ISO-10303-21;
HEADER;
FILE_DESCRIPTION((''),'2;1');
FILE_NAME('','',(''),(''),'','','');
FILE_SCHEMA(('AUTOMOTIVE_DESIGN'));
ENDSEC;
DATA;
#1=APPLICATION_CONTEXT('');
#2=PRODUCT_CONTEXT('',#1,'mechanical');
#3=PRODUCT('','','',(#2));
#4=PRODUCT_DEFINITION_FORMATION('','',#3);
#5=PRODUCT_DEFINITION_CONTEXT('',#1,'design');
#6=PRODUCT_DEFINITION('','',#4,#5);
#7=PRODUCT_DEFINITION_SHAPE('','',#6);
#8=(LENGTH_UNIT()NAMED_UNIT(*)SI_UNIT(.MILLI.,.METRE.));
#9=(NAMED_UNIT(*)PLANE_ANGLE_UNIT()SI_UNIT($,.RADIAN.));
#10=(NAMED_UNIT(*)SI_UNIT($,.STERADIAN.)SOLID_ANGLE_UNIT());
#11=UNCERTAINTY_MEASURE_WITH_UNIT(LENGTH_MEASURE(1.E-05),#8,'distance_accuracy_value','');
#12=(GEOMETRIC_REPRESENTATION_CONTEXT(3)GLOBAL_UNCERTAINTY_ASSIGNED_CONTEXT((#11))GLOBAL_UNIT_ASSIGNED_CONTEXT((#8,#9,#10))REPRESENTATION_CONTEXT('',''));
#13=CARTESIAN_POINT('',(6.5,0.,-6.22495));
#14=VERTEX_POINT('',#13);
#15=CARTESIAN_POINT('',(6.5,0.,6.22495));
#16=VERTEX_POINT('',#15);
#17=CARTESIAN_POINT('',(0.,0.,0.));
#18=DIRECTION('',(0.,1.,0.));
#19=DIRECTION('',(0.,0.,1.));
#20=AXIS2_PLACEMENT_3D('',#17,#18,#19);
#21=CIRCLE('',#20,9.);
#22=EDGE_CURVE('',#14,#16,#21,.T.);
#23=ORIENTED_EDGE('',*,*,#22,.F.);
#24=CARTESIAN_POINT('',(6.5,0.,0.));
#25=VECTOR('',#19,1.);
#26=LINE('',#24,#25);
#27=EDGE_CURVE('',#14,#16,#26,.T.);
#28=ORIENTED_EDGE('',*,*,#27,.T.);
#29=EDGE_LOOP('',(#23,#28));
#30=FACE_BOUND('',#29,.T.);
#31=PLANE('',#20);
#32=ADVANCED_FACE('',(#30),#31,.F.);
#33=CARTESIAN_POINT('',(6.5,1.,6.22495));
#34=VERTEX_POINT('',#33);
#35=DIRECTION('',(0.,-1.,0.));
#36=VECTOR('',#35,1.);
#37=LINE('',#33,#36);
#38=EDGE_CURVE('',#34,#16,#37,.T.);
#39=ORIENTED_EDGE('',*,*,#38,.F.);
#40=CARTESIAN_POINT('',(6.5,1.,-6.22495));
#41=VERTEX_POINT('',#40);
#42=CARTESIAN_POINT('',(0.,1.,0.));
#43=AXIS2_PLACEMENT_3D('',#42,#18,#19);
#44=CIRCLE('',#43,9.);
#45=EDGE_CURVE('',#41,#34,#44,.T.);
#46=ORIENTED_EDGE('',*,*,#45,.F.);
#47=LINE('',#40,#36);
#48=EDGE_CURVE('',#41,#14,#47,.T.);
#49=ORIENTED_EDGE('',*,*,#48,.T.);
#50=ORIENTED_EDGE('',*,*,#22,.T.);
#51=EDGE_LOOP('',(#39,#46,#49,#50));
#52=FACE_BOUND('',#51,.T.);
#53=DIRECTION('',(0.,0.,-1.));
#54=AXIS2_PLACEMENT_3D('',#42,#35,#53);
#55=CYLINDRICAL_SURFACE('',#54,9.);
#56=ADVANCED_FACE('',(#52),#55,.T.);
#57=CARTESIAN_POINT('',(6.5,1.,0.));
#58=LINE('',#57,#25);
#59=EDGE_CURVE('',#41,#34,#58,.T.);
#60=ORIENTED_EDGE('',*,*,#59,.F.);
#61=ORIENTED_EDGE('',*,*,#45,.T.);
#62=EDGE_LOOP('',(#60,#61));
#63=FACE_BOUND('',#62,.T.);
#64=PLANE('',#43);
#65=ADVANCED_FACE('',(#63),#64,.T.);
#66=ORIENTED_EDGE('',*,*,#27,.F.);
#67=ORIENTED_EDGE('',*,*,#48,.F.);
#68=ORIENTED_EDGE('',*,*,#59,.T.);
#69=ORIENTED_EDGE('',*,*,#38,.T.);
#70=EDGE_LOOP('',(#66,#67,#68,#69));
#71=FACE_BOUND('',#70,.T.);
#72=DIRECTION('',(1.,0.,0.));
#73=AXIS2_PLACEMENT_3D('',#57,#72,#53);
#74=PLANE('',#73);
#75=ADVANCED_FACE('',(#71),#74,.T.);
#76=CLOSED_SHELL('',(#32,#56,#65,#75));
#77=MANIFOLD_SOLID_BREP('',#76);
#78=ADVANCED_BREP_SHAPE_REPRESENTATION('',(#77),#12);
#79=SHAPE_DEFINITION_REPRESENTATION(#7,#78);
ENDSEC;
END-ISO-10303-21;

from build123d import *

# Parameters (mm, degrees)
BOSS_EXTRUDE1_DEPTH = 1


with BuildPart() as part:
    # Sketch1 → Boss-Extrude1 (new body)
    with BuildSketch(Plane(origin=(0, 0, 0), x_dir=(1, 0, 0), z_dir=(0, 1, 0))):
        with BuildLine():
            Line((6.5, -6.224949799), (6.5, 6.224949799))
            ThreePointArc((6.5, 6.224949799), (-9, 0), (6.5, -6.224949799))
        make_face()
    extrude(amount=BOSS_EXTRUDE1_DEPTH)


solid = part.part
